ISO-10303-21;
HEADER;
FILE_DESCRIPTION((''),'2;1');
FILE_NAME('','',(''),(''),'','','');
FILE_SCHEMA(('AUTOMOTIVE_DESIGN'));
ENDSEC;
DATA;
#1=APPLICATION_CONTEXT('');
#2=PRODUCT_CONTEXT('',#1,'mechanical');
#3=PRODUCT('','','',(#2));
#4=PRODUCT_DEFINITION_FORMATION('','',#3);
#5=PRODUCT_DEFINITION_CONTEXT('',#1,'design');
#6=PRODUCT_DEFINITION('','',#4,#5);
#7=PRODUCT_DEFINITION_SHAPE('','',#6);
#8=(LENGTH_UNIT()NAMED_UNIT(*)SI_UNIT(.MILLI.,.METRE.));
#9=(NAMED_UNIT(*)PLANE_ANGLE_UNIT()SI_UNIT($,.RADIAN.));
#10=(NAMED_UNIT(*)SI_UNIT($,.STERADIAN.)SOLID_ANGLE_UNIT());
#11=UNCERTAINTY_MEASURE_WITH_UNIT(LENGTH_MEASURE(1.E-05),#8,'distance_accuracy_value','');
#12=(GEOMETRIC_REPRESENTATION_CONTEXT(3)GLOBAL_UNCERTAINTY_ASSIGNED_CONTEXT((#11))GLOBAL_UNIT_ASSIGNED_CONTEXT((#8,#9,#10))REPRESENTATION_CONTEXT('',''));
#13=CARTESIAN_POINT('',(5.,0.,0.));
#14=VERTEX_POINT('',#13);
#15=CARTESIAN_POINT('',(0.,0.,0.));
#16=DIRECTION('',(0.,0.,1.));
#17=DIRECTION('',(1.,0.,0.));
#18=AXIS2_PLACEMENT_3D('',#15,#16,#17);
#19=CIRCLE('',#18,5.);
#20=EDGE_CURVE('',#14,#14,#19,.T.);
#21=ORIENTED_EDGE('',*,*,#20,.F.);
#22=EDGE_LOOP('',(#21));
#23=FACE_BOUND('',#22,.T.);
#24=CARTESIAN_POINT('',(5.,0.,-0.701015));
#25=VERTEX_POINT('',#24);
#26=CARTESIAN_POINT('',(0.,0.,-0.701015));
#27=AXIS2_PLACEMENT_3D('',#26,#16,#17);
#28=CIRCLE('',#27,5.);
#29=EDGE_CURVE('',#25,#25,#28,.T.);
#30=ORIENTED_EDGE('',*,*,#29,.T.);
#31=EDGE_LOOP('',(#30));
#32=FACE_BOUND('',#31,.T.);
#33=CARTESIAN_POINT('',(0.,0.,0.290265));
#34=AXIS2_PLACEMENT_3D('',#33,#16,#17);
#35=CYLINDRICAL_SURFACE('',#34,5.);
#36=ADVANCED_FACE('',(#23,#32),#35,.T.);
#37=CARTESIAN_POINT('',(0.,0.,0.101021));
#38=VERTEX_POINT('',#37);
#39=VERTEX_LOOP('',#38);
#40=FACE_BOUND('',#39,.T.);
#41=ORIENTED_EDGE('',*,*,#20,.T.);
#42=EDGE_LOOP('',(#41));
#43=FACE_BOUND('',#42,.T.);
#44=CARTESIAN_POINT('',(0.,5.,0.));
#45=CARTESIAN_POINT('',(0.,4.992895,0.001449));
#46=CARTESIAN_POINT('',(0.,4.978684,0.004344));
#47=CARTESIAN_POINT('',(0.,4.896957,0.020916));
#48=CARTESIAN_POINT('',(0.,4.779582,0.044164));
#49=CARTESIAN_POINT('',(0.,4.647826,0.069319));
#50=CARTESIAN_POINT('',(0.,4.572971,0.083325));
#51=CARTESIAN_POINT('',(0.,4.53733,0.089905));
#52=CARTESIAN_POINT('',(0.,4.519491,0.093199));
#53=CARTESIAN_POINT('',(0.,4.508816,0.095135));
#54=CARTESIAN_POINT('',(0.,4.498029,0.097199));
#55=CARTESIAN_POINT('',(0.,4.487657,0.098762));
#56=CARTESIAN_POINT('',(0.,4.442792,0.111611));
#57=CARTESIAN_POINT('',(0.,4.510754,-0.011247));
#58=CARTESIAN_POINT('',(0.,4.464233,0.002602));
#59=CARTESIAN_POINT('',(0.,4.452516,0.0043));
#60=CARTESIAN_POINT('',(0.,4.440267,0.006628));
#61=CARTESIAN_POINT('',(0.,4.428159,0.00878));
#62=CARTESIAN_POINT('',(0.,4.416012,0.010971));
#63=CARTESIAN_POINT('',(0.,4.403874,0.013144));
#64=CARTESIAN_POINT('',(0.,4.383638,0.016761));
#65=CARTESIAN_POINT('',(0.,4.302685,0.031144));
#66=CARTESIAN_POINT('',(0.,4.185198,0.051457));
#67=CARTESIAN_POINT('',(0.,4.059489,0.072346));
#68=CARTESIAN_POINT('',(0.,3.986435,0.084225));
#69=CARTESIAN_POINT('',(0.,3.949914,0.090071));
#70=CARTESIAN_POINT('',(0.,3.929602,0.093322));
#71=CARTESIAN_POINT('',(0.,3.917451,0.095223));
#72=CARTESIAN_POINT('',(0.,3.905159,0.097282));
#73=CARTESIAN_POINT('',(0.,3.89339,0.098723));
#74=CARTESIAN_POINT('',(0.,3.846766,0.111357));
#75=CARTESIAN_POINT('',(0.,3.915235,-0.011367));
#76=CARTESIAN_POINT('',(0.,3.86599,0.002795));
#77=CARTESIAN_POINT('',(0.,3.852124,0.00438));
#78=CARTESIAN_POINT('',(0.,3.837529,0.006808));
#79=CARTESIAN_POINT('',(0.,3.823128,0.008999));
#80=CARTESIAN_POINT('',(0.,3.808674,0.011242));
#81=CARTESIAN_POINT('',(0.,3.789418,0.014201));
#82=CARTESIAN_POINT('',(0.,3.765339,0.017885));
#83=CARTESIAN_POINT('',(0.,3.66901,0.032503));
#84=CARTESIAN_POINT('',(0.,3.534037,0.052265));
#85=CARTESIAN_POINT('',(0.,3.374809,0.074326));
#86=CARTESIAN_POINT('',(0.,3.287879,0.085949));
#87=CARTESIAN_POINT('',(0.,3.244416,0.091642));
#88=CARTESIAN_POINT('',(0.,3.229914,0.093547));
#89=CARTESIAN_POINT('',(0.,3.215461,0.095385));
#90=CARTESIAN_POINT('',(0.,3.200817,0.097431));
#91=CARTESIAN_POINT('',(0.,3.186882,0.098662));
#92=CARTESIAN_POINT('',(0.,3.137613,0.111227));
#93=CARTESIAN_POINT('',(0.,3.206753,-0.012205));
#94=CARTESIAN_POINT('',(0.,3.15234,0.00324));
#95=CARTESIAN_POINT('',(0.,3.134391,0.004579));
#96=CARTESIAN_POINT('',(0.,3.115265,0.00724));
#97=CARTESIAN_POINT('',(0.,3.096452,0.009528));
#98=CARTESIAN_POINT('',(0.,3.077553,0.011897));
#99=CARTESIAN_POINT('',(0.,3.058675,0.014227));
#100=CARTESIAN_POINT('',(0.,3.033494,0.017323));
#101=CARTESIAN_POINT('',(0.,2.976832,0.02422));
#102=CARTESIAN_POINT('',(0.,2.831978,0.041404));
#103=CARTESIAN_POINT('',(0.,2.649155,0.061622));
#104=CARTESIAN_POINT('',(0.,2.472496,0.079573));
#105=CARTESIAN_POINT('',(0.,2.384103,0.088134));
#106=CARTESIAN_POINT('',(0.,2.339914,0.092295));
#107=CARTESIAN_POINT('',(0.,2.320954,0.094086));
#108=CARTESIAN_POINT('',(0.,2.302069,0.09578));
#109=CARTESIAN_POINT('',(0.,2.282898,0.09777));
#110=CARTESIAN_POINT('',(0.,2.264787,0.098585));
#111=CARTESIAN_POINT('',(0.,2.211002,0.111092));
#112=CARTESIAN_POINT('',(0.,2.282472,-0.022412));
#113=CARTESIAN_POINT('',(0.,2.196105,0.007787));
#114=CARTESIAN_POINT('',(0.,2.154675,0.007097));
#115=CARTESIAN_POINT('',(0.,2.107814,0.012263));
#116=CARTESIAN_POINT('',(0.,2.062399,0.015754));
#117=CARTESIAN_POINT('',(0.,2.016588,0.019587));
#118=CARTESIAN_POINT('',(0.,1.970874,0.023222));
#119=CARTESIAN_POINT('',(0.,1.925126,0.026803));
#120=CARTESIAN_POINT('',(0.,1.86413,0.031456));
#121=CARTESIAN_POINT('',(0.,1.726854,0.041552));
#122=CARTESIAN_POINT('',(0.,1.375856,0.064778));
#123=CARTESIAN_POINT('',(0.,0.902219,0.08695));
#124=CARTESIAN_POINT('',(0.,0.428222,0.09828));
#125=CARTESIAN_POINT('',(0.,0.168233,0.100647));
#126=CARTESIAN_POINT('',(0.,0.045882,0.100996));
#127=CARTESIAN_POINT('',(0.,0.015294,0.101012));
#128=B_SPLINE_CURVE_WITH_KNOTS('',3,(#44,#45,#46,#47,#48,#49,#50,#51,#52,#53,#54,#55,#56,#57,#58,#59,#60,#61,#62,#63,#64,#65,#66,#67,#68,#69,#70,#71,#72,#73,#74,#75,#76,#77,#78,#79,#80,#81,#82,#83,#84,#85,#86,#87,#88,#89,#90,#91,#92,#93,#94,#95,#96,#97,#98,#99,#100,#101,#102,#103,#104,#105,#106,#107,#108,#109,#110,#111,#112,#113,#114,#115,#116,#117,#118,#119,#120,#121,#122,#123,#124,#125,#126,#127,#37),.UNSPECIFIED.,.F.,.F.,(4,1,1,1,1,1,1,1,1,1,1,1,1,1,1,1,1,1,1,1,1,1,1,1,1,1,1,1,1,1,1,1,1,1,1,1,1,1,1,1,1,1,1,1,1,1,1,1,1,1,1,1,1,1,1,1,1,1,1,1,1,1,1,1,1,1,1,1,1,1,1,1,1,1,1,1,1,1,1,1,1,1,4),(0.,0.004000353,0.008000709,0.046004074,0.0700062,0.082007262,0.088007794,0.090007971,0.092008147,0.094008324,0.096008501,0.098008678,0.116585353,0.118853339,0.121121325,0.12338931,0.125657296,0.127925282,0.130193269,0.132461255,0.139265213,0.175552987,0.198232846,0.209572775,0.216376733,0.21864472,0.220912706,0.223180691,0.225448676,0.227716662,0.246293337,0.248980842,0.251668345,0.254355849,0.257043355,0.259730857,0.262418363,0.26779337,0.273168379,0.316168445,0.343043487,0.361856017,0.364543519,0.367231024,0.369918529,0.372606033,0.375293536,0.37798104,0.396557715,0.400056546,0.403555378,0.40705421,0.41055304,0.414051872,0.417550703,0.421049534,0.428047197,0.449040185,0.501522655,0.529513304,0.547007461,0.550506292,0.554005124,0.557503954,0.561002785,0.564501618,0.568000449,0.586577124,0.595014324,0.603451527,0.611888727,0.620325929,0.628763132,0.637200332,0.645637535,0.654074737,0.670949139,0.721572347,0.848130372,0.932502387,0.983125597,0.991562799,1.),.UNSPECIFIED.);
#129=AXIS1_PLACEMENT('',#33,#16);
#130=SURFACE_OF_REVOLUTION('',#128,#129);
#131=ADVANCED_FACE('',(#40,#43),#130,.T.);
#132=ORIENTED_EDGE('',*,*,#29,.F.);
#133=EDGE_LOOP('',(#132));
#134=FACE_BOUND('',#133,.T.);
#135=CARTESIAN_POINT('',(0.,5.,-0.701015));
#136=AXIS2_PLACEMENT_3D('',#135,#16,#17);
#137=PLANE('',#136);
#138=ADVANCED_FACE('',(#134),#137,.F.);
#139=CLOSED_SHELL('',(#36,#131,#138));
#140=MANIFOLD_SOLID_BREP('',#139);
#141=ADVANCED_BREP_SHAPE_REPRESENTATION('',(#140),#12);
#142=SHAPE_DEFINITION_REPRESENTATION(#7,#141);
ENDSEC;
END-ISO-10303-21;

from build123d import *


with BuildPart() as part:
    # 草图3 → 旋转1 (revolve)
    with BuildSketch(Plane(origin=(0, 0, 0), x_dir=(0, 0, -1), z_dir=(1, 0, 0)), mode=Mode.PRIVATE) as revolve_1_sk:
        with BuildLine():
            Line((0, 5), (0.701015432, 5))
            Line((0.701015432, 5), (0.701015432, 0))
            Line((0.701015432, 0), (-0.10102051, 0))
            add(Edge.make_bspline(
                [(-0.10102051, 0), (-0.101012409, 0.015293919), (-0.100996206, 0.045881757), (-0.100646654, 0.168232704), (-0.098279915, 0.428222335), (-0.086950462, 0.90221887), (-0.064778455, 1.375856153), (-0.041552217, 1.726854364), (-0.03145601, 1.864129781), (-0.026803448, 1.925126023), (-0.02322188, 1.970874213), (-0.019586973, 2.016587805), (-0.015753867, 2.06239895), (-0.012263319, 2.107813726), (-0.007097278, 2.154674747), (-0.007787186, 2.196104551), (0.022411944, 2.282471532), (-0.111091677, 2.211001779), (-0.098584823, 2.26478721), (-0.097770103, 2.282897511), (-0.095779965, 2.302068529), (-0.094086497, 2.320953637), (-0.092295247, 2.339913652), (-0.088134179, 2.38410286), (-0.079573486, 2.472495628), (-0.061621889, 2.649154928), (-0.041403955, 2.831977619), (-0.024220105, 2.976832224), (-0.017323258, 3.033493776), (-0.014227077, 3.058675075), (-0.011897459, 3.07755322), (-0.009527768, 3.096452188), (-0.007239631, 3.115264994), (-0.004579127, 3.134390866), (-0.003240318, 3.152339812), (0.012205348, 3.206752658), (-0.111226787, 3.137613078), (-0.098662381, 3.186881965), (-0.097430662, 3.200817308), (-0.095384969, 3.215461155), (-0.09354664, 3.229913771), (-0.091642014, 3.244416227), (-0.085949136, 3.287879306), (-0.074326226, 3.374808841), (-0.052265321, 3.534037132), (-0.032503066, 3.669010118), (-0.017885129, 3.765338622), (-0.014200653, 3.789418002), (-0.011242215, 3.808673772), (-0.00899858, 3.823128276), (-0.006807559, 3.837529314), (-0.004380266, 3.852123697), (-0.002794738, 3.865990292), (0.011366689, 3.915234897), (-0.111356709, 3.846766066), (-0.098723242, 3.893389525), (-0.09728236, 3.905158859), (-0.095223418, 3.917451042), (-0.093322465, 3.929601924), (-0.090070959, 3.949914477), (-0.084224862, 3.986434808), (-0.07234561, 4.059488943), (-0.051457339, 4.185197592), (-0.031143797, 4.302684828), (-0.016760888, 4.383638431), (-0.013143752, 4.403874475), (-0.010970757, 4.416012298), (-0.008779541, 4.428159243), (-0.00662798, 4.440267045), (-0.00430008, 4.452515817), (-0.002602, 4.464233375), (0.011247197, 4.510754296), (-0.111611209, 4.442791892), (-0.098761621, 4.487656992), (-0.097199485, 4.498029103), (-0.095134939, 4.508816034), (-0.093199099, 4.51949073), (-0.089905403, 4.53733021), (-0.083325449, 4.572971249), (-0.069318967, 4.647825554), (-0.044163632, 4.779581517), (-0.020915695, 4.896956983), (-0.004344479, 4.978684175), (-0.001449381, 4.992894979), (0, 5)],
                knots=[0, 0, 0, 0, 0.008437201, 0.016874403, 0.067497613, 0.151869628, 0.278427653, 0.329050861, 0.345925263, 0.354362465, 0.362799668, 0.371236868, 0.379674071, 0.388111273, 0.396548473, 0.404985676, 0.413422876, 0.431999551, 0.435498382, 0.438997215, 0.442496046, 0.445994876, 0.449493708, 0.452992539, 0.470486696, 0.498477345, 0.550959815, 0.571952803, 0.578950466, 0.582449297, 0.585948128, 0.58944696, 0.59294579, 0.596444622, 0.599943454, 0.603442285, 0.62201896, 0.624706464, 0.627393967, 0.630081471, 0.632768976, 0.635456481, 0.638143983, 0.656956513, 0.683831555, 0.726831621, 0.73220663, 0.737581637, 0.740269143, 0.742956645, 0.745644151, 0.748331655, 0.751019158, 0.753706663, 0.772283338, 0.774551324, 0.776819309, 0.779087294, 0.78135528, 0.783623267, 0.790427225, 0.801767154, 0.824447013, 0.860734787, 0.867538745, 0.869806731, 0.872074718, 0.874342704, 0.87661069, 0.878878675, 0.881146661, 0.883414647, 0.901991322, 0.903991499, 0.905991676, 0.907991853, 0.909992029, 0.911992206, 0.917992738, 0.9299938, 0.953995926, 0.991999291, 0.995999647, 1, 1, 1, 1], degree=3))
        make_face()
    revolve(revolve_1_sk.sketch.rotate(Axis((0, 0, 0.290264711), (0, 0, -1)), 90), axis=Axis((0, 0, 0.290264711), (0, 0, -1)))


solid = part.part
